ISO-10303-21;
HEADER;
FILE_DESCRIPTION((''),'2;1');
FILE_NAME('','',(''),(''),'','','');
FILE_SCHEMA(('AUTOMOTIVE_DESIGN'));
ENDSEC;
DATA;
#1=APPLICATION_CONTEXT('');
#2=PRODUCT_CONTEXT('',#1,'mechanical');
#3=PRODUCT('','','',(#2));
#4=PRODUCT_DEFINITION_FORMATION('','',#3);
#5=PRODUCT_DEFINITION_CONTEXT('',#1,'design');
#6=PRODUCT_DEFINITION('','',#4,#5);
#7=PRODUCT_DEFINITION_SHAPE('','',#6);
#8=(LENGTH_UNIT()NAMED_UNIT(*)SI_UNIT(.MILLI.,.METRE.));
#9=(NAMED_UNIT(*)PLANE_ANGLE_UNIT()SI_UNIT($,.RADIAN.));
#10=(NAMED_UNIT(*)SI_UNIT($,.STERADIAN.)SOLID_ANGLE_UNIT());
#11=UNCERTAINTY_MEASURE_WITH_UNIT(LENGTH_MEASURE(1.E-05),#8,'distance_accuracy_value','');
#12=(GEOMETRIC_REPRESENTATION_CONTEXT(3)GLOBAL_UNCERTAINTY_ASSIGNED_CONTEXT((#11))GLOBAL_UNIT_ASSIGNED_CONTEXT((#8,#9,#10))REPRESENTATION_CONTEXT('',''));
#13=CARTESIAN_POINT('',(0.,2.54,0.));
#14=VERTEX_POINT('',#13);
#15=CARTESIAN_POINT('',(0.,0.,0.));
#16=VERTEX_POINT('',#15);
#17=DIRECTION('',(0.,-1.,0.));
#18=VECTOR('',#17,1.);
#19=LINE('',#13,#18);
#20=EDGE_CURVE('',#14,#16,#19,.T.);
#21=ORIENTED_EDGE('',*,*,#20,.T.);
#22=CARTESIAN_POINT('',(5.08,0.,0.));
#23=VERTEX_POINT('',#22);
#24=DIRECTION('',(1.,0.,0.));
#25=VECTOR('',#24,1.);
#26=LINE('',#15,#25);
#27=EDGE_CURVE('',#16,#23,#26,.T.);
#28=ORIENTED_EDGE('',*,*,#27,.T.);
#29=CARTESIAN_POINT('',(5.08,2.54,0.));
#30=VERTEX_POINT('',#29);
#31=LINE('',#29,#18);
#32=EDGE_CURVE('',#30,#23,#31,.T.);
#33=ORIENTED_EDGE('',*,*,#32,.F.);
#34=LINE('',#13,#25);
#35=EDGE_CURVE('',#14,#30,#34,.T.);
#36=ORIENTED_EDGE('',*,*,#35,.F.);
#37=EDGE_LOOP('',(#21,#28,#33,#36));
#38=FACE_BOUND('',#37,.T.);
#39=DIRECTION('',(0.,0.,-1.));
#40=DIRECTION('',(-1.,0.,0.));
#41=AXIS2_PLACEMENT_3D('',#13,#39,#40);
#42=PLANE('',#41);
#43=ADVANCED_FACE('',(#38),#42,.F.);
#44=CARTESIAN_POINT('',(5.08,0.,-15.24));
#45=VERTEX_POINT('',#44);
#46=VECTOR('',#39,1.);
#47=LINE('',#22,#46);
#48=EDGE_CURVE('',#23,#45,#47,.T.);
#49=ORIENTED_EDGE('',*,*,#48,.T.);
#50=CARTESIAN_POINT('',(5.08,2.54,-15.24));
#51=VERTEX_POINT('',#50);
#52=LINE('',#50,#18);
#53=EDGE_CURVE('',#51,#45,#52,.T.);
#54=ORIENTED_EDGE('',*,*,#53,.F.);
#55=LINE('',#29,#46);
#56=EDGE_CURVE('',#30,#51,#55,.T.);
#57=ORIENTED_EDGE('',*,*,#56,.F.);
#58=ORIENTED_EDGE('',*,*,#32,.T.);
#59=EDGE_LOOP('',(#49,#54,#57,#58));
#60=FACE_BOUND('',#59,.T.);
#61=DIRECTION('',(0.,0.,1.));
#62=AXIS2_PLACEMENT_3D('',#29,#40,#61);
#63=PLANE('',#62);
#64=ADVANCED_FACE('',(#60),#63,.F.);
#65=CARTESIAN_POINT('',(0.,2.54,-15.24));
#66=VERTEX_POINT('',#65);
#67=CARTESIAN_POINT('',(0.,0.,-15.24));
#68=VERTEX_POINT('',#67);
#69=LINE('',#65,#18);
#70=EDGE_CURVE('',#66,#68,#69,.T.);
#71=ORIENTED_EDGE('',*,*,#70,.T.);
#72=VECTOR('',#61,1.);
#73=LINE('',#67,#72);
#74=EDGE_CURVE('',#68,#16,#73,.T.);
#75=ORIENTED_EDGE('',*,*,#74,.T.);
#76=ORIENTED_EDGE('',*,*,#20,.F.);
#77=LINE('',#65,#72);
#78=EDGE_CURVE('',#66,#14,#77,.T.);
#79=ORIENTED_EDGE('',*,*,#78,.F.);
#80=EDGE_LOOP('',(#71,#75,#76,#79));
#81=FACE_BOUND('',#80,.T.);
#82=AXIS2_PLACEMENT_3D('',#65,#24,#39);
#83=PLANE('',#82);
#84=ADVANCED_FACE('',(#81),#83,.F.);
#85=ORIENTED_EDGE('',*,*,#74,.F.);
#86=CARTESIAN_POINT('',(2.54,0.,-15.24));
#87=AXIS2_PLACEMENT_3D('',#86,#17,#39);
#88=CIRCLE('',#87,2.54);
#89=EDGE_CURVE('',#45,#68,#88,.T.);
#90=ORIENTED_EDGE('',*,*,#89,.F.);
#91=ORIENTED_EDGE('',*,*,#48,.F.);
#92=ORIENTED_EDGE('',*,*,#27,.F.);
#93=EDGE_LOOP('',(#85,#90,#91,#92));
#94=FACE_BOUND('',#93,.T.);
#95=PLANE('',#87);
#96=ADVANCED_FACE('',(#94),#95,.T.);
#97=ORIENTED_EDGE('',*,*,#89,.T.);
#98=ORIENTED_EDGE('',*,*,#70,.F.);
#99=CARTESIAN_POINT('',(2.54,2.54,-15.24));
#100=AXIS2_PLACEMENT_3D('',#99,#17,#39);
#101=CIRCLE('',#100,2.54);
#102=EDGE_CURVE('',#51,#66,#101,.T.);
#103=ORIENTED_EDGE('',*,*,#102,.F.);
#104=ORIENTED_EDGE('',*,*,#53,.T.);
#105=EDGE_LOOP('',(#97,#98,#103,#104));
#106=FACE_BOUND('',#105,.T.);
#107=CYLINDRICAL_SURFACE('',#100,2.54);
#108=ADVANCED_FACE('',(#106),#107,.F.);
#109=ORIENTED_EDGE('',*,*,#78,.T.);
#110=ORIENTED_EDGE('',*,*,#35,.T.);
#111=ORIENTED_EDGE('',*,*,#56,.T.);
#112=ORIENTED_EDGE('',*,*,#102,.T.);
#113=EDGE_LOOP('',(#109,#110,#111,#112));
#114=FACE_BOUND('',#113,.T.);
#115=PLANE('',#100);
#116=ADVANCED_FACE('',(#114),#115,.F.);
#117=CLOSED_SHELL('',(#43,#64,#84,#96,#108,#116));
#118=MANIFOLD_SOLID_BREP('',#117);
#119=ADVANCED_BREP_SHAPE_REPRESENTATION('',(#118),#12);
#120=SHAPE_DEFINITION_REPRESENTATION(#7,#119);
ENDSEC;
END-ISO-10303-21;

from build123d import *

# Parameters (mm, degrees)
BOSS_EXTRUDE1_DEPTH = 2.54


with BuildPart() as part:
    # Sketch1 → Boss-Extrude1 (new body)
    with BuildSketch(Plane(origin=(0, 0, 0), x_dir=(1, 0, 0), z_dir=(0, 1, 0))):
        with BuildLine():
            Line((0, 15.24), (0, 0))
            Line((0, 0), (5.08, 0))
            Line((5.08, 0), (5.08, 15.24))
            ThreePointArc((5.08, 15.24), (2.54, 12.7), (0, 15.24))
        make_face()
    extrude(amount=BOSS_EXTRUDE1_DEPTH)


solid = part.part
